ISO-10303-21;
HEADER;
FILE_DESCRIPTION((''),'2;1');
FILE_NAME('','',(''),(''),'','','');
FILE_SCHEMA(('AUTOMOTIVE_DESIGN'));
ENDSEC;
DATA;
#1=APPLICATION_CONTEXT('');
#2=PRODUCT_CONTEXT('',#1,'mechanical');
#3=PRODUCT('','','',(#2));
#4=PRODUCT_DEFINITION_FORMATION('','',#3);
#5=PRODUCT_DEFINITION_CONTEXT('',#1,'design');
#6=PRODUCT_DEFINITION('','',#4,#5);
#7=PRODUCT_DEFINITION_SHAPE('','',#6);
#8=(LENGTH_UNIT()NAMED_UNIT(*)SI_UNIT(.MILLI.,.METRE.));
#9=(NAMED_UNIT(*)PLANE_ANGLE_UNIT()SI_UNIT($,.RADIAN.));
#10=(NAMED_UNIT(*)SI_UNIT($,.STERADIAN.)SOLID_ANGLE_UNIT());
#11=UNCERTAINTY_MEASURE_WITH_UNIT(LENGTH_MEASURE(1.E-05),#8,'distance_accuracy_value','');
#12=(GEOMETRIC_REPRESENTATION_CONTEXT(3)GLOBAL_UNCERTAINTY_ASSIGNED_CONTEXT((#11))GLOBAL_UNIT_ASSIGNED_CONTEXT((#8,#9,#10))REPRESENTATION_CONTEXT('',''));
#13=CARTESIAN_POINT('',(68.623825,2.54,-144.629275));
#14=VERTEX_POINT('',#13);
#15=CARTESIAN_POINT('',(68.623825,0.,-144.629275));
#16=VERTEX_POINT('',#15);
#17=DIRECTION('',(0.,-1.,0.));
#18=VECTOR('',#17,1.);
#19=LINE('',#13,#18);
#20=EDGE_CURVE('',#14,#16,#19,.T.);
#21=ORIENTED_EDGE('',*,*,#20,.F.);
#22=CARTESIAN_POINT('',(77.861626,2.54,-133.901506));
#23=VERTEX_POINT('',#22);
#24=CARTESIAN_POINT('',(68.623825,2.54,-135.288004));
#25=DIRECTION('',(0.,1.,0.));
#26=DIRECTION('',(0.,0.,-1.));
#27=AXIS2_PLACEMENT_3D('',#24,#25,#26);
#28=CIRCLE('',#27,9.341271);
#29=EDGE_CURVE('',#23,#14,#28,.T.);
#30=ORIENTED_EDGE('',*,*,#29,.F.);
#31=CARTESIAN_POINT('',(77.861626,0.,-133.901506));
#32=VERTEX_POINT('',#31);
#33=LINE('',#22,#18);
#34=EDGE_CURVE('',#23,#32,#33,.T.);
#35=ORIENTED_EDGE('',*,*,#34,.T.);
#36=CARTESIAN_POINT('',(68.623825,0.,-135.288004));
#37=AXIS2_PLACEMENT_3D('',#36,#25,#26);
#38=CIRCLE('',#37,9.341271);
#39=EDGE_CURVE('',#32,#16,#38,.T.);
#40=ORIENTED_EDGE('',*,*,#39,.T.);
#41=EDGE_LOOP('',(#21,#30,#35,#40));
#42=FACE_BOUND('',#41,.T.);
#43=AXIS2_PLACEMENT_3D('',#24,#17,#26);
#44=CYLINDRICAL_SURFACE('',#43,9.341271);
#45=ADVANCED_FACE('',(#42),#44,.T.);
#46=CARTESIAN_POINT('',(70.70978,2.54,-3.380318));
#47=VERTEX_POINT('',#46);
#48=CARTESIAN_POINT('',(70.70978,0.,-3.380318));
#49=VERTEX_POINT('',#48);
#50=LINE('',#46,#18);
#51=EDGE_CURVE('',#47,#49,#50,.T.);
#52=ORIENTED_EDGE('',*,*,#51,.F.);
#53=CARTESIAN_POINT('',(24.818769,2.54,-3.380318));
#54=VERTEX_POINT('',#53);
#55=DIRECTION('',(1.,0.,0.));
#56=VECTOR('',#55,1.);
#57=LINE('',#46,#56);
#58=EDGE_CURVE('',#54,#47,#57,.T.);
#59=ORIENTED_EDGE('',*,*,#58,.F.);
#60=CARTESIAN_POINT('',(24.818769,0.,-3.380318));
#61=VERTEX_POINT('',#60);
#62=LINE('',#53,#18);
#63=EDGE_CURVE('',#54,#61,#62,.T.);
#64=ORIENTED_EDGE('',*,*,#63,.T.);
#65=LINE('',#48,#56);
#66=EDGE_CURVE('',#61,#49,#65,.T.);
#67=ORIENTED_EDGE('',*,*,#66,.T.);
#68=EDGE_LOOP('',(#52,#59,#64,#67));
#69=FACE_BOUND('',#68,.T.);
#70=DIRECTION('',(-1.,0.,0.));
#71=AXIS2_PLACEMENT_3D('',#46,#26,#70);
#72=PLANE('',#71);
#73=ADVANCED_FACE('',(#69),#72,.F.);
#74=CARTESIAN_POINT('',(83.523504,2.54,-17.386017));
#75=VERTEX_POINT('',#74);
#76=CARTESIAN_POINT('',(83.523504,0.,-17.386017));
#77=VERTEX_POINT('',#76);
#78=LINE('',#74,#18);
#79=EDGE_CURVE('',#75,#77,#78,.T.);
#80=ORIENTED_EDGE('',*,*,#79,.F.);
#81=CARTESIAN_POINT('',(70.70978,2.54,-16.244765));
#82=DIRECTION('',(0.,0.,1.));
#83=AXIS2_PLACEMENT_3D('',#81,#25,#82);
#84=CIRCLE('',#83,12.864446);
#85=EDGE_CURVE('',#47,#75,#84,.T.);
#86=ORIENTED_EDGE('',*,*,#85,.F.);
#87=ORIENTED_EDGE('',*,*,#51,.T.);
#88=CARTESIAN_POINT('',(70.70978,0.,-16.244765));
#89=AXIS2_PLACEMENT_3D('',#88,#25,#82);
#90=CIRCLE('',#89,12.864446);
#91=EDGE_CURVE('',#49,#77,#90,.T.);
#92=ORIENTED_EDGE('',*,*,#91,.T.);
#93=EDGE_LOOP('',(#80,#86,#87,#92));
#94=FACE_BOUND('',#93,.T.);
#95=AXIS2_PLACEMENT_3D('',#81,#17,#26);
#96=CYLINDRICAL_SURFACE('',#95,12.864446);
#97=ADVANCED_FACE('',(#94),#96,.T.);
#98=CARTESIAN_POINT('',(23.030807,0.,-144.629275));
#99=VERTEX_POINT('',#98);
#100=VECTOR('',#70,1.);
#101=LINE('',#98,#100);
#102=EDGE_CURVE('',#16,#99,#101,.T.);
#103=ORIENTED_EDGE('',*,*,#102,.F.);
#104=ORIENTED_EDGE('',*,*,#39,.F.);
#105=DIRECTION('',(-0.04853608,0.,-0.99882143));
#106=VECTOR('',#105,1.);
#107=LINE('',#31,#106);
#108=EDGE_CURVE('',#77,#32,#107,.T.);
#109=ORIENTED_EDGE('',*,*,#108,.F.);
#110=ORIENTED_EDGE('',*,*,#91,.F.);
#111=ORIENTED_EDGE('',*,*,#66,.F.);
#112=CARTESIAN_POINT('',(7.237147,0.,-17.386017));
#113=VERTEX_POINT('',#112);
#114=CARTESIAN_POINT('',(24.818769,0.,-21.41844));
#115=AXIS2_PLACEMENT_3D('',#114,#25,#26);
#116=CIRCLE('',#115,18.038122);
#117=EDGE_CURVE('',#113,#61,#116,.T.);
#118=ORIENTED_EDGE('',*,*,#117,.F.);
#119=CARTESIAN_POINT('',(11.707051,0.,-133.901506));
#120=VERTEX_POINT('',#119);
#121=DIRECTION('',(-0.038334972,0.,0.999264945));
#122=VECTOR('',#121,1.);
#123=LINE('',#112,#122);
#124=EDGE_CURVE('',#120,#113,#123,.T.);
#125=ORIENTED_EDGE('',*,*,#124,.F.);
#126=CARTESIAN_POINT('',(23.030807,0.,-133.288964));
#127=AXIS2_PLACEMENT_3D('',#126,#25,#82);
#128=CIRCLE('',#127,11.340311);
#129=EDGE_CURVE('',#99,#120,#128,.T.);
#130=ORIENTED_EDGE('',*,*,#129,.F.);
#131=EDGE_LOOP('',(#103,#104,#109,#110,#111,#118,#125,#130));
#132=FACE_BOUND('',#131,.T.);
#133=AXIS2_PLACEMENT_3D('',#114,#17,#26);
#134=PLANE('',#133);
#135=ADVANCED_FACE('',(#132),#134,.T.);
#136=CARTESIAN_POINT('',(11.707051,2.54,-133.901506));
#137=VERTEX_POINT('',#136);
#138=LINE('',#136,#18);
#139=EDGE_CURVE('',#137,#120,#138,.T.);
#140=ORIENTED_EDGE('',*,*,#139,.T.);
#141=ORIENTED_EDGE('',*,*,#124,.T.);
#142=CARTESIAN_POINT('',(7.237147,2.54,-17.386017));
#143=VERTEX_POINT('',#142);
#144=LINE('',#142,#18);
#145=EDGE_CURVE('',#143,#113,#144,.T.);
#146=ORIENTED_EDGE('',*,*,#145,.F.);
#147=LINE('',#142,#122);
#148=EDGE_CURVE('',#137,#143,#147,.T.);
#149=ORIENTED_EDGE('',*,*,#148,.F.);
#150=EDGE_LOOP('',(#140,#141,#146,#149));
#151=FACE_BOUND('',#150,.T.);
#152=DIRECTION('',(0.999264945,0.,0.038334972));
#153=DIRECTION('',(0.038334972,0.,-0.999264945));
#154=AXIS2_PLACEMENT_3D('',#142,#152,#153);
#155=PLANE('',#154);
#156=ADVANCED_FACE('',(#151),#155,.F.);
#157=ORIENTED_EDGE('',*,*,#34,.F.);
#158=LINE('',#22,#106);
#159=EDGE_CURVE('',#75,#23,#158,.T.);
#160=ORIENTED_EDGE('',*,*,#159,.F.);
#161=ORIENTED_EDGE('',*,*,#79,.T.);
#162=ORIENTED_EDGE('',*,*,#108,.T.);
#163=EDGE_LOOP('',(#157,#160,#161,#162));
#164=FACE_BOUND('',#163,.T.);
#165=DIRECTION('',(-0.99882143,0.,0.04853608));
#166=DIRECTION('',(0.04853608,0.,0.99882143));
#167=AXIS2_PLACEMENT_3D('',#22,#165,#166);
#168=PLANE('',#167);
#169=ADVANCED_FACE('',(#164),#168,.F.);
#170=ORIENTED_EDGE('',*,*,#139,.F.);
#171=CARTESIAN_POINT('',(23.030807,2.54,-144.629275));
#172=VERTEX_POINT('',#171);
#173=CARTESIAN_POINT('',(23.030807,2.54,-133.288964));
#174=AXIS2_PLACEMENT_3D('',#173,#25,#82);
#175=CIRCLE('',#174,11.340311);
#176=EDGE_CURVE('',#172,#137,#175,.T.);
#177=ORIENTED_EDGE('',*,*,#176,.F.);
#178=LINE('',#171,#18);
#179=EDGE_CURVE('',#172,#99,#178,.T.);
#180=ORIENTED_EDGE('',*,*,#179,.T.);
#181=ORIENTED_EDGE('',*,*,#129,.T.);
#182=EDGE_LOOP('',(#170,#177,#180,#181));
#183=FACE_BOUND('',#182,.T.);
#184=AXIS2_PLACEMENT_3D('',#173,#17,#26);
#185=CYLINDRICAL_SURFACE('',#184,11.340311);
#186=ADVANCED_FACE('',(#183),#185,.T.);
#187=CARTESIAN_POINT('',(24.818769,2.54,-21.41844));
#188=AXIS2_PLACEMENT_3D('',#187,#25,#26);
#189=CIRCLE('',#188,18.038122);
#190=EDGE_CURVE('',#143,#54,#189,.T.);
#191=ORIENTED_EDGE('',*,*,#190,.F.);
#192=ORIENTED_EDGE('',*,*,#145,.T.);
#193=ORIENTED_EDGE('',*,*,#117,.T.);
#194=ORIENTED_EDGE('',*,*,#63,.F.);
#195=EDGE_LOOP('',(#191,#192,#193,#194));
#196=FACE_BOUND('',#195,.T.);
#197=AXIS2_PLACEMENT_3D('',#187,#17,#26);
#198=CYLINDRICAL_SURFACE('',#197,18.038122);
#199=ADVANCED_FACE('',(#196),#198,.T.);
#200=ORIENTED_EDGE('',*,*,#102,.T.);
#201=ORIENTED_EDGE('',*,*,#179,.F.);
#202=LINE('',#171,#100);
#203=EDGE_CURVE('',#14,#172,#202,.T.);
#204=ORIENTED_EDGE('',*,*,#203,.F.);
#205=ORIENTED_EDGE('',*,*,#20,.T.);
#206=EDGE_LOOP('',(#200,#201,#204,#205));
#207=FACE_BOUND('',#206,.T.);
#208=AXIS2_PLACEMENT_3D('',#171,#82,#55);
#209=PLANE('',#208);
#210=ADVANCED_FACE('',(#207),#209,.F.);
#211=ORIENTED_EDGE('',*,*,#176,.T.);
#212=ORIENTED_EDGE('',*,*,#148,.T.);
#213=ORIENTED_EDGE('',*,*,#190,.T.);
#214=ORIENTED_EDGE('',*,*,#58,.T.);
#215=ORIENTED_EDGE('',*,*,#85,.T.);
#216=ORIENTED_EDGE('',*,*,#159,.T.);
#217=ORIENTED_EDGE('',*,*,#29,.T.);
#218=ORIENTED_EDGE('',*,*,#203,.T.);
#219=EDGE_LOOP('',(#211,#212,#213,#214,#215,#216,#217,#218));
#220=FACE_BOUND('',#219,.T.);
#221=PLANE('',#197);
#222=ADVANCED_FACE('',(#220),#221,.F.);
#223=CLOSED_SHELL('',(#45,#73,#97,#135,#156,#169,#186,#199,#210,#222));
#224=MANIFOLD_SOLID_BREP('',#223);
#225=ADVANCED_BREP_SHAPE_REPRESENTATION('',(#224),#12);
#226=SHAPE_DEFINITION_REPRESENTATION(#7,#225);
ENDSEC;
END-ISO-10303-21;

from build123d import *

# Parameters (mm, degrees)
BOSS_EXTRUDE1_DEPTH = 2.54


with BuildPart() as part:
    # Sketch2 → Boss-Extrude1 (new body)
    with BuildSketch(Plane(origin=(0, 0, 0), x_dir=(1, 0, 0), z_dir=(0, 1, 0))):
        with BuildLine():
            Line((7.237147433, 17.386016579), (11.707051133, 133.901506381))
            ThreePointArc((11.707051133, 133.901506381), (15.231568814, 141.521493404), (23.030807176, 144.629275263))
            Line((23.030807176, 144.629275263), (68.623824924, 144.629275263))
            ThreePointArc((68.623824924, 144.629275263), (75.702348643, 141.383399713), (77.861625906, 133.901506381))
            Line((77.861625906, 133.901506381), (83.523503927, 17.386016579))
            ThreePointArc((83.523503927, 17.386016579), (80.201238053, 7.561090167), (70.709779985, 3.380318317))
            Line((70.709779985, 3.380318317), (24.818768656, 3.380318317))
            ThreePointArc((24.818768656, 3.380318317), (13.57962958, 7.309733844), (7.237147433, 17.386016579))
        make_face()
    extrude(amount=BOSS_EXTRUDE1_DEPTH)


solid = part.part
